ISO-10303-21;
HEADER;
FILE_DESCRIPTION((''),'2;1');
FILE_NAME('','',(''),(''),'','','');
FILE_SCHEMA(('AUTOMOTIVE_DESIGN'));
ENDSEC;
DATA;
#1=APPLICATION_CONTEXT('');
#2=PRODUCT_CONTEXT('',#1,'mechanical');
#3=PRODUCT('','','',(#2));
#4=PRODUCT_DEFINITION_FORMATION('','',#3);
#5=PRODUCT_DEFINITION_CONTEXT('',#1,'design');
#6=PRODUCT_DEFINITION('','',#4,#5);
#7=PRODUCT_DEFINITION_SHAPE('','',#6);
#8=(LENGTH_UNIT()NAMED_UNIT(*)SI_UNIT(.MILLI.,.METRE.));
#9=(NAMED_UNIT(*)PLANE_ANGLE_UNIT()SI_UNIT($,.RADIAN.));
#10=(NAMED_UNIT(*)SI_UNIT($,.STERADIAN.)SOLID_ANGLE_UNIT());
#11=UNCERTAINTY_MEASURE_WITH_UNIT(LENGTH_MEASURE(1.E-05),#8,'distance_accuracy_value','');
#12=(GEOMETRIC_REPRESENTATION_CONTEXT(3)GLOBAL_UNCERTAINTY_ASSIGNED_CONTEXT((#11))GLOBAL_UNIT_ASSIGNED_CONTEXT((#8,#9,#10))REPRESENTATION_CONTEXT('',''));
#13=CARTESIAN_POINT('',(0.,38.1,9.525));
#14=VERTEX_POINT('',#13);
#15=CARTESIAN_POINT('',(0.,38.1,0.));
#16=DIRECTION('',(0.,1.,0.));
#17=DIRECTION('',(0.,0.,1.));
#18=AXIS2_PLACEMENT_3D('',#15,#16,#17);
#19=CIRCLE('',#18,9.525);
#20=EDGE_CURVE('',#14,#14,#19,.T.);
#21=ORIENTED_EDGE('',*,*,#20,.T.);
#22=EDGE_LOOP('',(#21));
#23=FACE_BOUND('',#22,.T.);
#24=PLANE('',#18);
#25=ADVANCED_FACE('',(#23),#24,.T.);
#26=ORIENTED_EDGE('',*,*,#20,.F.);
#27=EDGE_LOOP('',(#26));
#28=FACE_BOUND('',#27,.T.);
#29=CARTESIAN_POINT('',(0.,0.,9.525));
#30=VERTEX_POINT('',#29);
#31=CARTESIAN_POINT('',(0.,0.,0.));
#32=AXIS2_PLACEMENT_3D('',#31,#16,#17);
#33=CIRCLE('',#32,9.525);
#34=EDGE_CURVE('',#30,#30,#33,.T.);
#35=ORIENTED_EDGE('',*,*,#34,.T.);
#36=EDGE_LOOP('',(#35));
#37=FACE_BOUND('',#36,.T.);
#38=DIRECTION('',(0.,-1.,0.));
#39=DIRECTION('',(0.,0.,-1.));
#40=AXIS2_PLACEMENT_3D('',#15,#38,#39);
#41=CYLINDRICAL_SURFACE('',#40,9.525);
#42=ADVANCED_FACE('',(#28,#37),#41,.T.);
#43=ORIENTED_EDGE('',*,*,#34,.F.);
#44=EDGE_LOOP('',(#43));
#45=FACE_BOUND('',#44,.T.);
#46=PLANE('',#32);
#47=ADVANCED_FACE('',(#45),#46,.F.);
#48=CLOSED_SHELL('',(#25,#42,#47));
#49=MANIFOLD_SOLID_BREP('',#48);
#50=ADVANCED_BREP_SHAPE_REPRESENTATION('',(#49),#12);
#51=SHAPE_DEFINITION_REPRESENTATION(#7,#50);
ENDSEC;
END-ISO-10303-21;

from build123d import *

# Parameters (mm, degrees)
SKETCH1_R           = 9.525
BOSS_EXTRUDE1_DEPTH = 38.1


with BuildPart() as part:
    # Sketch1 → Boss-Extrude1 (new body)
    with BuildSketch(Plane(origin=(0, 0, 0), x_dir=(1, 0, 0), z_dir=(0, 1, 0))):
        Circle(SKETCH1_R)
    extrude(amount=BOSS_EXTRUDE1_DEPTH)


solid = part.part
